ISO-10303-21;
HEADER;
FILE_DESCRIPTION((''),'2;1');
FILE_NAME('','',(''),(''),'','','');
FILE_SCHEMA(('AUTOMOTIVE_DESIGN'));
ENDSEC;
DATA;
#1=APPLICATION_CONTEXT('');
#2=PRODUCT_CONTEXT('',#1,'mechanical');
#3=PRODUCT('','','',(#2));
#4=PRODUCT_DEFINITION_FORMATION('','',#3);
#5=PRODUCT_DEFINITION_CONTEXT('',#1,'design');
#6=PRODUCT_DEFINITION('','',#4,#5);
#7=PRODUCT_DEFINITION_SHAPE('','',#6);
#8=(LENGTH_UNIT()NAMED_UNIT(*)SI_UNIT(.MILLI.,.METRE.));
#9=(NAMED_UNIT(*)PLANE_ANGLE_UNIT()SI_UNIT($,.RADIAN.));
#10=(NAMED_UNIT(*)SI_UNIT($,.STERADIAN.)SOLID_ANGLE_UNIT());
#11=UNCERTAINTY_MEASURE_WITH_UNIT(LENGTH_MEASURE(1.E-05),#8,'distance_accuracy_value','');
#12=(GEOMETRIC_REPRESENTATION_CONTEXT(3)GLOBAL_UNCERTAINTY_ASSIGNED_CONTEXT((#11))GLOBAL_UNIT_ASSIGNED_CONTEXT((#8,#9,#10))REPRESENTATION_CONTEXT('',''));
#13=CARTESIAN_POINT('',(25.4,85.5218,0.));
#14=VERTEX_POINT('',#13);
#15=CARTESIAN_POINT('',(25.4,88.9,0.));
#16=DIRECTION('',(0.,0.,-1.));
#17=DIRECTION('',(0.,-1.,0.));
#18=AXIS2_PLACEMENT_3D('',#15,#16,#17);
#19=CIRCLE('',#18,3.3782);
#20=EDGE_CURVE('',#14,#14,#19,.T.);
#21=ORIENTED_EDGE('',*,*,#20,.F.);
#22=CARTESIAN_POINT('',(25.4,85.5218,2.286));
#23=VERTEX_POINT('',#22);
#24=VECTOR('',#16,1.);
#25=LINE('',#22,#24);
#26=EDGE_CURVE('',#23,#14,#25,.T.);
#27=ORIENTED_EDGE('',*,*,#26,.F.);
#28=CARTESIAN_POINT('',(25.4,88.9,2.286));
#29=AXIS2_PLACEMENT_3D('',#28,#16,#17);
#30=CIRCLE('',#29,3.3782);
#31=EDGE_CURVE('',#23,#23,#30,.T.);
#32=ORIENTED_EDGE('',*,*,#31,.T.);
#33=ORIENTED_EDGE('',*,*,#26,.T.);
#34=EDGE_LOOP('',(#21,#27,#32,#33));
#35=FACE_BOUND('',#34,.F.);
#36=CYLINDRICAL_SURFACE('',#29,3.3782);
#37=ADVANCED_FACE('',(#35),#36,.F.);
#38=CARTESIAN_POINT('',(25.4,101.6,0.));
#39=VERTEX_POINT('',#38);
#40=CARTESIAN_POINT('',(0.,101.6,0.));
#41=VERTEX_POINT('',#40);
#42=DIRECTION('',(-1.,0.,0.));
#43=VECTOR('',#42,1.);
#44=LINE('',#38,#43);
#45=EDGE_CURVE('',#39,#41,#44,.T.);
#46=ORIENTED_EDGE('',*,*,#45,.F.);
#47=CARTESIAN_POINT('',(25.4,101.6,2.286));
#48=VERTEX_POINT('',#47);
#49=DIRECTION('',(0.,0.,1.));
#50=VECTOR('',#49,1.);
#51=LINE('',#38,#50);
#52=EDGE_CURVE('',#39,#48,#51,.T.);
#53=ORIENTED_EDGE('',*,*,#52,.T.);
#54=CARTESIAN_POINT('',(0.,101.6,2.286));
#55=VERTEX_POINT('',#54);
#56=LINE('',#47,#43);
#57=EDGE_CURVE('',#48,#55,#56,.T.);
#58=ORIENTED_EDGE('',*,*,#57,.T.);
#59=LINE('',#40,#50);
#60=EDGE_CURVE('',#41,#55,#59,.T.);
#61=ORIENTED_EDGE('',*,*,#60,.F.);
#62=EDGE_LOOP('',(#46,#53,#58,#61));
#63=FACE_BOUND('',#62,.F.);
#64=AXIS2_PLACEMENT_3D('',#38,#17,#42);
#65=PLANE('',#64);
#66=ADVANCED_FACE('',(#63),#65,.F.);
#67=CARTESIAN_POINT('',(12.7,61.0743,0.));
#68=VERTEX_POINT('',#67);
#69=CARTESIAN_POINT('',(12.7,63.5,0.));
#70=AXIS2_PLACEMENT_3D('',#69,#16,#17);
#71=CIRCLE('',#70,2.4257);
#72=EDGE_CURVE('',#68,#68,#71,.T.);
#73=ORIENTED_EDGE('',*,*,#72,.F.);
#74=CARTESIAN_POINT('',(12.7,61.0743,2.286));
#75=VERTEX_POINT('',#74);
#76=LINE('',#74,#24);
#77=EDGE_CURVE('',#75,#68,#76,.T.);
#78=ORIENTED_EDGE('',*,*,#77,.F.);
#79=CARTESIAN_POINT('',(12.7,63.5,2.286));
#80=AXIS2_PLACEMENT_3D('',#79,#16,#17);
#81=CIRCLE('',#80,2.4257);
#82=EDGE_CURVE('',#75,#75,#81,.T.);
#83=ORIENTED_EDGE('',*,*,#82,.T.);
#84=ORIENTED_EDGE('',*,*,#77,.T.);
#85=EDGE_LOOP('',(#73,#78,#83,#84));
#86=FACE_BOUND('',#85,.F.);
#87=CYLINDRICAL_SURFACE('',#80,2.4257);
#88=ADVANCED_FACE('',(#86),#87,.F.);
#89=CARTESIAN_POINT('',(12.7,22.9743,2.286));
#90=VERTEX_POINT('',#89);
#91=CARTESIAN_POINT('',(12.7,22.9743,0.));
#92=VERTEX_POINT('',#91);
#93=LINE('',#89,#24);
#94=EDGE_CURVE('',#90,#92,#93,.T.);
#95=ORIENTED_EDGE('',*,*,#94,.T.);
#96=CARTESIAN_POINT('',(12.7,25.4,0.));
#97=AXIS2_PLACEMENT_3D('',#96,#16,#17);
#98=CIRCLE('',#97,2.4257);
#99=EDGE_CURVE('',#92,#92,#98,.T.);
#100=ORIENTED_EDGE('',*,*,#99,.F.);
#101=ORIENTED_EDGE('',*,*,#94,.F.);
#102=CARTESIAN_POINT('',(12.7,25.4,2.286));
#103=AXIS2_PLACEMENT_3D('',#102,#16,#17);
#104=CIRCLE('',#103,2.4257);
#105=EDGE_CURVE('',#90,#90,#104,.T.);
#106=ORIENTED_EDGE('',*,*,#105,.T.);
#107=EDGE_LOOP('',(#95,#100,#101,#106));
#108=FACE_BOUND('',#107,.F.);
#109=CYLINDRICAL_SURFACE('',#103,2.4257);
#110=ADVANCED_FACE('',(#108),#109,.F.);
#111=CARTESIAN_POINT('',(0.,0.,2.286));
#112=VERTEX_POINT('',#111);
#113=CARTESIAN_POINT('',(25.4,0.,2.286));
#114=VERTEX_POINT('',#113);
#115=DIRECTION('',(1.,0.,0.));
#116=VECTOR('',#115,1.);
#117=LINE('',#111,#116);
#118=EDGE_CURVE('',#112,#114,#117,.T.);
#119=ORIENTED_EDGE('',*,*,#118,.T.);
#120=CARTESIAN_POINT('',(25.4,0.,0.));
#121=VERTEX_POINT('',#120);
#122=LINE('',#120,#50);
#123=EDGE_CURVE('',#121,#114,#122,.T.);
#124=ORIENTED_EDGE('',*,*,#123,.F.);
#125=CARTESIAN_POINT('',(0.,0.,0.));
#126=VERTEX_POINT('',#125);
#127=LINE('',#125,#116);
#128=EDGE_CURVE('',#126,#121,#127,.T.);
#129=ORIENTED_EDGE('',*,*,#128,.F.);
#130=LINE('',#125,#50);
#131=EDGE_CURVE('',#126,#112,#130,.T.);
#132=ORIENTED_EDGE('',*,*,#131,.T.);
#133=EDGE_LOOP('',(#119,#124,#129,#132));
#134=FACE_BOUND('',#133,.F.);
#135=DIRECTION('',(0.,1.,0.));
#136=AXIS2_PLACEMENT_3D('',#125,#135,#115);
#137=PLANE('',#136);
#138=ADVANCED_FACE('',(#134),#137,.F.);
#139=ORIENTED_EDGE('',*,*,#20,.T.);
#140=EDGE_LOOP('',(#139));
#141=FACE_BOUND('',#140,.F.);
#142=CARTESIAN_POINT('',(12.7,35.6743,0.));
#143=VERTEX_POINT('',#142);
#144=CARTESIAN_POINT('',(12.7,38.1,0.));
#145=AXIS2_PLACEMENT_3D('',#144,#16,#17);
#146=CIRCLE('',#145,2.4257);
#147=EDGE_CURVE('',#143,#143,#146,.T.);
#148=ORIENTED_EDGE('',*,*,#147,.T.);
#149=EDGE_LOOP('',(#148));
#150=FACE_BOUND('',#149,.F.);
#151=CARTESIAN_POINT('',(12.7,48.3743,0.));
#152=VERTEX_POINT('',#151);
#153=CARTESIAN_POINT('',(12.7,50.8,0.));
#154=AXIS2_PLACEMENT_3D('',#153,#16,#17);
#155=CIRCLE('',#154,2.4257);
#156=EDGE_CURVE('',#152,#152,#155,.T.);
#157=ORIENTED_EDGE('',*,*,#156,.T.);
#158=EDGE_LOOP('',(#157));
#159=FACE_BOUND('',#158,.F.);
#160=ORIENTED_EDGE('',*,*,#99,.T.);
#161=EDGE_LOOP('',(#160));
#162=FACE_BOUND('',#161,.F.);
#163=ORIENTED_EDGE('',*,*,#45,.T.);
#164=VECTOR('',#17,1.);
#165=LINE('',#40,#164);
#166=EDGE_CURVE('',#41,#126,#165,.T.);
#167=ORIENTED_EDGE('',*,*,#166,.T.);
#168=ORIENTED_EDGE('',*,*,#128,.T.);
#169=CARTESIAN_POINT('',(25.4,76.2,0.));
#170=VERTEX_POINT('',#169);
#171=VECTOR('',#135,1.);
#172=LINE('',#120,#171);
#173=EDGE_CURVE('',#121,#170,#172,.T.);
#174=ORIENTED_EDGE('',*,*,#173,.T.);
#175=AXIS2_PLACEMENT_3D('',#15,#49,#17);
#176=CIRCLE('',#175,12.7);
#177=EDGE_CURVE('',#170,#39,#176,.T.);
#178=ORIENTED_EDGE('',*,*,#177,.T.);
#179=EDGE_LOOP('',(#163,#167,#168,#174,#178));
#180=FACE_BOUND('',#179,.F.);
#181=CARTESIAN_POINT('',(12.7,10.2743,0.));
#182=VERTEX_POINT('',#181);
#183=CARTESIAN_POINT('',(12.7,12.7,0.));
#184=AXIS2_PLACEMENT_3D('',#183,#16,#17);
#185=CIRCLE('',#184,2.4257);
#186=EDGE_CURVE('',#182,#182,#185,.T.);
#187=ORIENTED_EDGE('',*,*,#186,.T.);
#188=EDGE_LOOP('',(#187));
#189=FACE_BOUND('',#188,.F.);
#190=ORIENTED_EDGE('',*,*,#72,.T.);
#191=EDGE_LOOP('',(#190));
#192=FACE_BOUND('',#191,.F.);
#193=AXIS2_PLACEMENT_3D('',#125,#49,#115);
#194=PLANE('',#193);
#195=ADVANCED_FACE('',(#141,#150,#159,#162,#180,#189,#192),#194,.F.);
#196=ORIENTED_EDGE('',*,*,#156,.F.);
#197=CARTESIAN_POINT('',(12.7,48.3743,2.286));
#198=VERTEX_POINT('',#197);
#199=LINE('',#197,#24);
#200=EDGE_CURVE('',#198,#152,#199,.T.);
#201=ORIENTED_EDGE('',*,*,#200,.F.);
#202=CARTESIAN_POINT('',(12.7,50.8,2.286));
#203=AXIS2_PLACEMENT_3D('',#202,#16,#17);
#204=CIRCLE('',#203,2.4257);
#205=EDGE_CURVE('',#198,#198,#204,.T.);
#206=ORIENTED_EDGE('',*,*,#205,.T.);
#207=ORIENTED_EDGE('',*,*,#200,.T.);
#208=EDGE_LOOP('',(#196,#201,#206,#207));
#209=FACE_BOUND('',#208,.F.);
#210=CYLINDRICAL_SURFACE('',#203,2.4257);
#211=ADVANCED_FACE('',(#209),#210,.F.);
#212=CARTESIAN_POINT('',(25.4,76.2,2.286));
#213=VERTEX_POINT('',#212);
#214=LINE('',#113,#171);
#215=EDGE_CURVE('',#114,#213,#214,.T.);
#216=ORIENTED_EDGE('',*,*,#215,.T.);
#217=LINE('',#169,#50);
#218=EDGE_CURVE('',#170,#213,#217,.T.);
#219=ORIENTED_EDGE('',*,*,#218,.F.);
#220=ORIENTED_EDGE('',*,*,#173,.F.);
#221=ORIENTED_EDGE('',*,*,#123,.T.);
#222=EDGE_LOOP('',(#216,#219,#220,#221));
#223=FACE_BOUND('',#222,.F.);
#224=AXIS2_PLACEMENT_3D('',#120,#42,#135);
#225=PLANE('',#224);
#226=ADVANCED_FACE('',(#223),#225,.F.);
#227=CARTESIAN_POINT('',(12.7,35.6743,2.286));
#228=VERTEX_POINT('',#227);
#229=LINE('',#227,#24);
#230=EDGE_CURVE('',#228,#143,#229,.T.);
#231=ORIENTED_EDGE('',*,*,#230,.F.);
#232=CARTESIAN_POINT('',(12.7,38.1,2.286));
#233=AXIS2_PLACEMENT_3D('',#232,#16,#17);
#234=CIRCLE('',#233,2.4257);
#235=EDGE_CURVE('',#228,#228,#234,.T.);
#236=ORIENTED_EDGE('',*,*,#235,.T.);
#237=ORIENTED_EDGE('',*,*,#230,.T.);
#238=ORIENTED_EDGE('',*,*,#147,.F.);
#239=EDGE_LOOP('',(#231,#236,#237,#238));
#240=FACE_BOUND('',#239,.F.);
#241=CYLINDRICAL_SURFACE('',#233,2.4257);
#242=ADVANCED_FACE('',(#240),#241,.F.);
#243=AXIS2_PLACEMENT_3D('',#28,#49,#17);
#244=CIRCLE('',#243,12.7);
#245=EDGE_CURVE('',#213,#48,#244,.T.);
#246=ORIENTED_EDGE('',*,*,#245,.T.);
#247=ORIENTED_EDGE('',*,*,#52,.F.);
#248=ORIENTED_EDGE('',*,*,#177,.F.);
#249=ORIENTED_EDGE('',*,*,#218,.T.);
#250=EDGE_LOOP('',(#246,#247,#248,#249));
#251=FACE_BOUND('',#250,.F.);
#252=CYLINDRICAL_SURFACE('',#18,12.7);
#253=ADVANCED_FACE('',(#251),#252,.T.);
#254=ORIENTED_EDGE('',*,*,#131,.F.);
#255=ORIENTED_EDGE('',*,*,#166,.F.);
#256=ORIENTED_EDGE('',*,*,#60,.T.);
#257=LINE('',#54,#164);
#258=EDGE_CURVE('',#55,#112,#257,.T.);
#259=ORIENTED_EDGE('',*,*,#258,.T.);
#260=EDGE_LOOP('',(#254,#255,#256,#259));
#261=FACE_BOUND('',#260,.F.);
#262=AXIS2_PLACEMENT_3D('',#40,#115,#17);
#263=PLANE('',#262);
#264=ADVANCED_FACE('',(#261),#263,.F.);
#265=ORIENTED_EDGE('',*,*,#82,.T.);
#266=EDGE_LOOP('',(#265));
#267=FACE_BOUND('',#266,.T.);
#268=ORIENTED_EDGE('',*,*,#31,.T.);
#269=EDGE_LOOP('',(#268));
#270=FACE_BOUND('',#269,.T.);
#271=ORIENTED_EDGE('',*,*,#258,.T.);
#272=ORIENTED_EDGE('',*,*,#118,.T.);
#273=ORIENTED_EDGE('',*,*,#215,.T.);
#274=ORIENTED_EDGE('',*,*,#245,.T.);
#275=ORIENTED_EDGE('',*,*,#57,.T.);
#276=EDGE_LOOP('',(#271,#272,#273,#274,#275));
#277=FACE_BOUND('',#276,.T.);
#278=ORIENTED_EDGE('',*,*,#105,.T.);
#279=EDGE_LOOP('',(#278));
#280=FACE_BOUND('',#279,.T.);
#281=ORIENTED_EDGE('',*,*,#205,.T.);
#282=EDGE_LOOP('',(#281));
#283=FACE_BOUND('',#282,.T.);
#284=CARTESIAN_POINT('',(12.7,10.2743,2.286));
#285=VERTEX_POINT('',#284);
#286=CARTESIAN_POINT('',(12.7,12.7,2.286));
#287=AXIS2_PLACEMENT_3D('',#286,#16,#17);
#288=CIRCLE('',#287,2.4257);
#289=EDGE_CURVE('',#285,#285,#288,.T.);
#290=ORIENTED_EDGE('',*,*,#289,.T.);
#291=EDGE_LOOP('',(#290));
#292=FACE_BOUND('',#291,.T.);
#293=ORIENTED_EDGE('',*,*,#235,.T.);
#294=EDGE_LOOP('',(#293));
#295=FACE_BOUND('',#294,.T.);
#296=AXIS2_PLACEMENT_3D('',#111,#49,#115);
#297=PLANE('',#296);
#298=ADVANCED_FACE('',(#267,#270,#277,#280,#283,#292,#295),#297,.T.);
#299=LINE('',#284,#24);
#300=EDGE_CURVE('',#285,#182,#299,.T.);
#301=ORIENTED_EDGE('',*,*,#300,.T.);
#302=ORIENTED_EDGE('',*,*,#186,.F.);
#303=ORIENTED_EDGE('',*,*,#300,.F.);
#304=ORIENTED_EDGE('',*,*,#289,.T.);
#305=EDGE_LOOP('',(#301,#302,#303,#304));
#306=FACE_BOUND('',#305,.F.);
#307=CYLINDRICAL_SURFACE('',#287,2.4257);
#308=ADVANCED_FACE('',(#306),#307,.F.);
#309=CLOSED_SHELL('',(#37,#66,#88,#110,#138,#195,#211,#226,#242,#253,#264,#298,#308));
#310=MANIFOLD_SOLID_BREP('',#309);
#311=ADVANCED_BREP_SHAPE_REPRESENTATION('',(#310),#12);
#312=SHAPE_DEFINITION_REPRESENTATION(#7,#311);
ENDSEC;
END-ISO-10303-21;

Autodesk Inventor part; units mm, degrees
ref_plane "YZ Plane" through (0, 0, 0) normal (1, 0, 0) x (0, 1, 0)
ref_plane "XZ Plane" through (0, 0, 0) normal (0, 1, 0) x (-1, 0, 0)
ref_plane "XY Plane" through (0, 0, 0) normal (0, 0, 1) x (1, 0, 0)
sketch "Sketch1" plane through (0, 0, 0) normal (0, 0, 1) x (1, 0, 0)
  line L0 (0, 0) -> (25.4, 0)
  line L1 (25.4, 0) -> (25.4, 101.6)
  line L2 (25.4, 101.6) -> (0, 101.6)
  line L3 (0, 101.6) -> (0, 0)
  arc A0 (25.4, 76.2) -> (25.4, 101.6) centre (25.4, 88.9) ccw
  dimension "d0" = 101.6
  dimension "d1" = 25.4
  dimension "d2" = 25.4
extrude "Extrusion1" add sketch "Sketch1" along normal blind 2.286
sketch "Sketch3" plane through (0, 0, 2.286) normal (0, 0, 1) x (1, 0, 0)
  line L0 (0, 101.6) -> (0, 0) projected
  line L1 (0, 0) -> (25.4, 0) projected
  line L2 (25.4, 101.6) -> (0, 101.6) projected
  point P0 (12.7, 63.5)
  point P1 (12.7, 50.8)
  point P2 (12.7, 38.1)
  point P3 (12.7, 25.4)
  point P4 (12.7, 12.7)
  dimension "d39" = 38.1
  dimension "d40" = 12.7
  dimension "d43" = 12.7
hole "Hole1" at (12.7, 63.5, 2.286) at (12.7, 50.8, 2.286) at (12.7, 38.1, 2.286) at (12.7, 25.4, 2.286) at (12.7, 12.7, 2.286) direction (0, 0, -1) diameter 4.8514 end through all
sketch "Sketch4" plane through (0, 0, 2.286) normal (0, 0, 1) x (1, 0, 0)
  line L0 (25.4, 0) -> (25.4, 76.2) projected
  arc A0 (25.4, 76.2) -> (25.4, 101.6) centre (25.4, 88.9) ccw projected
  point P0 (0, 0)
hole "Hole2" at (25.4, 88.9, 2.286) direction (0, 0, -1) diameter 6.7564 end through all clearance for "Flat Head Machine Screw (82)" size "1/4" standard "Ansi Unified Screw Threads"
equation "\"d2\" = d1"
properties part number "Lifter Bracket" material "Aluminum 6061"
